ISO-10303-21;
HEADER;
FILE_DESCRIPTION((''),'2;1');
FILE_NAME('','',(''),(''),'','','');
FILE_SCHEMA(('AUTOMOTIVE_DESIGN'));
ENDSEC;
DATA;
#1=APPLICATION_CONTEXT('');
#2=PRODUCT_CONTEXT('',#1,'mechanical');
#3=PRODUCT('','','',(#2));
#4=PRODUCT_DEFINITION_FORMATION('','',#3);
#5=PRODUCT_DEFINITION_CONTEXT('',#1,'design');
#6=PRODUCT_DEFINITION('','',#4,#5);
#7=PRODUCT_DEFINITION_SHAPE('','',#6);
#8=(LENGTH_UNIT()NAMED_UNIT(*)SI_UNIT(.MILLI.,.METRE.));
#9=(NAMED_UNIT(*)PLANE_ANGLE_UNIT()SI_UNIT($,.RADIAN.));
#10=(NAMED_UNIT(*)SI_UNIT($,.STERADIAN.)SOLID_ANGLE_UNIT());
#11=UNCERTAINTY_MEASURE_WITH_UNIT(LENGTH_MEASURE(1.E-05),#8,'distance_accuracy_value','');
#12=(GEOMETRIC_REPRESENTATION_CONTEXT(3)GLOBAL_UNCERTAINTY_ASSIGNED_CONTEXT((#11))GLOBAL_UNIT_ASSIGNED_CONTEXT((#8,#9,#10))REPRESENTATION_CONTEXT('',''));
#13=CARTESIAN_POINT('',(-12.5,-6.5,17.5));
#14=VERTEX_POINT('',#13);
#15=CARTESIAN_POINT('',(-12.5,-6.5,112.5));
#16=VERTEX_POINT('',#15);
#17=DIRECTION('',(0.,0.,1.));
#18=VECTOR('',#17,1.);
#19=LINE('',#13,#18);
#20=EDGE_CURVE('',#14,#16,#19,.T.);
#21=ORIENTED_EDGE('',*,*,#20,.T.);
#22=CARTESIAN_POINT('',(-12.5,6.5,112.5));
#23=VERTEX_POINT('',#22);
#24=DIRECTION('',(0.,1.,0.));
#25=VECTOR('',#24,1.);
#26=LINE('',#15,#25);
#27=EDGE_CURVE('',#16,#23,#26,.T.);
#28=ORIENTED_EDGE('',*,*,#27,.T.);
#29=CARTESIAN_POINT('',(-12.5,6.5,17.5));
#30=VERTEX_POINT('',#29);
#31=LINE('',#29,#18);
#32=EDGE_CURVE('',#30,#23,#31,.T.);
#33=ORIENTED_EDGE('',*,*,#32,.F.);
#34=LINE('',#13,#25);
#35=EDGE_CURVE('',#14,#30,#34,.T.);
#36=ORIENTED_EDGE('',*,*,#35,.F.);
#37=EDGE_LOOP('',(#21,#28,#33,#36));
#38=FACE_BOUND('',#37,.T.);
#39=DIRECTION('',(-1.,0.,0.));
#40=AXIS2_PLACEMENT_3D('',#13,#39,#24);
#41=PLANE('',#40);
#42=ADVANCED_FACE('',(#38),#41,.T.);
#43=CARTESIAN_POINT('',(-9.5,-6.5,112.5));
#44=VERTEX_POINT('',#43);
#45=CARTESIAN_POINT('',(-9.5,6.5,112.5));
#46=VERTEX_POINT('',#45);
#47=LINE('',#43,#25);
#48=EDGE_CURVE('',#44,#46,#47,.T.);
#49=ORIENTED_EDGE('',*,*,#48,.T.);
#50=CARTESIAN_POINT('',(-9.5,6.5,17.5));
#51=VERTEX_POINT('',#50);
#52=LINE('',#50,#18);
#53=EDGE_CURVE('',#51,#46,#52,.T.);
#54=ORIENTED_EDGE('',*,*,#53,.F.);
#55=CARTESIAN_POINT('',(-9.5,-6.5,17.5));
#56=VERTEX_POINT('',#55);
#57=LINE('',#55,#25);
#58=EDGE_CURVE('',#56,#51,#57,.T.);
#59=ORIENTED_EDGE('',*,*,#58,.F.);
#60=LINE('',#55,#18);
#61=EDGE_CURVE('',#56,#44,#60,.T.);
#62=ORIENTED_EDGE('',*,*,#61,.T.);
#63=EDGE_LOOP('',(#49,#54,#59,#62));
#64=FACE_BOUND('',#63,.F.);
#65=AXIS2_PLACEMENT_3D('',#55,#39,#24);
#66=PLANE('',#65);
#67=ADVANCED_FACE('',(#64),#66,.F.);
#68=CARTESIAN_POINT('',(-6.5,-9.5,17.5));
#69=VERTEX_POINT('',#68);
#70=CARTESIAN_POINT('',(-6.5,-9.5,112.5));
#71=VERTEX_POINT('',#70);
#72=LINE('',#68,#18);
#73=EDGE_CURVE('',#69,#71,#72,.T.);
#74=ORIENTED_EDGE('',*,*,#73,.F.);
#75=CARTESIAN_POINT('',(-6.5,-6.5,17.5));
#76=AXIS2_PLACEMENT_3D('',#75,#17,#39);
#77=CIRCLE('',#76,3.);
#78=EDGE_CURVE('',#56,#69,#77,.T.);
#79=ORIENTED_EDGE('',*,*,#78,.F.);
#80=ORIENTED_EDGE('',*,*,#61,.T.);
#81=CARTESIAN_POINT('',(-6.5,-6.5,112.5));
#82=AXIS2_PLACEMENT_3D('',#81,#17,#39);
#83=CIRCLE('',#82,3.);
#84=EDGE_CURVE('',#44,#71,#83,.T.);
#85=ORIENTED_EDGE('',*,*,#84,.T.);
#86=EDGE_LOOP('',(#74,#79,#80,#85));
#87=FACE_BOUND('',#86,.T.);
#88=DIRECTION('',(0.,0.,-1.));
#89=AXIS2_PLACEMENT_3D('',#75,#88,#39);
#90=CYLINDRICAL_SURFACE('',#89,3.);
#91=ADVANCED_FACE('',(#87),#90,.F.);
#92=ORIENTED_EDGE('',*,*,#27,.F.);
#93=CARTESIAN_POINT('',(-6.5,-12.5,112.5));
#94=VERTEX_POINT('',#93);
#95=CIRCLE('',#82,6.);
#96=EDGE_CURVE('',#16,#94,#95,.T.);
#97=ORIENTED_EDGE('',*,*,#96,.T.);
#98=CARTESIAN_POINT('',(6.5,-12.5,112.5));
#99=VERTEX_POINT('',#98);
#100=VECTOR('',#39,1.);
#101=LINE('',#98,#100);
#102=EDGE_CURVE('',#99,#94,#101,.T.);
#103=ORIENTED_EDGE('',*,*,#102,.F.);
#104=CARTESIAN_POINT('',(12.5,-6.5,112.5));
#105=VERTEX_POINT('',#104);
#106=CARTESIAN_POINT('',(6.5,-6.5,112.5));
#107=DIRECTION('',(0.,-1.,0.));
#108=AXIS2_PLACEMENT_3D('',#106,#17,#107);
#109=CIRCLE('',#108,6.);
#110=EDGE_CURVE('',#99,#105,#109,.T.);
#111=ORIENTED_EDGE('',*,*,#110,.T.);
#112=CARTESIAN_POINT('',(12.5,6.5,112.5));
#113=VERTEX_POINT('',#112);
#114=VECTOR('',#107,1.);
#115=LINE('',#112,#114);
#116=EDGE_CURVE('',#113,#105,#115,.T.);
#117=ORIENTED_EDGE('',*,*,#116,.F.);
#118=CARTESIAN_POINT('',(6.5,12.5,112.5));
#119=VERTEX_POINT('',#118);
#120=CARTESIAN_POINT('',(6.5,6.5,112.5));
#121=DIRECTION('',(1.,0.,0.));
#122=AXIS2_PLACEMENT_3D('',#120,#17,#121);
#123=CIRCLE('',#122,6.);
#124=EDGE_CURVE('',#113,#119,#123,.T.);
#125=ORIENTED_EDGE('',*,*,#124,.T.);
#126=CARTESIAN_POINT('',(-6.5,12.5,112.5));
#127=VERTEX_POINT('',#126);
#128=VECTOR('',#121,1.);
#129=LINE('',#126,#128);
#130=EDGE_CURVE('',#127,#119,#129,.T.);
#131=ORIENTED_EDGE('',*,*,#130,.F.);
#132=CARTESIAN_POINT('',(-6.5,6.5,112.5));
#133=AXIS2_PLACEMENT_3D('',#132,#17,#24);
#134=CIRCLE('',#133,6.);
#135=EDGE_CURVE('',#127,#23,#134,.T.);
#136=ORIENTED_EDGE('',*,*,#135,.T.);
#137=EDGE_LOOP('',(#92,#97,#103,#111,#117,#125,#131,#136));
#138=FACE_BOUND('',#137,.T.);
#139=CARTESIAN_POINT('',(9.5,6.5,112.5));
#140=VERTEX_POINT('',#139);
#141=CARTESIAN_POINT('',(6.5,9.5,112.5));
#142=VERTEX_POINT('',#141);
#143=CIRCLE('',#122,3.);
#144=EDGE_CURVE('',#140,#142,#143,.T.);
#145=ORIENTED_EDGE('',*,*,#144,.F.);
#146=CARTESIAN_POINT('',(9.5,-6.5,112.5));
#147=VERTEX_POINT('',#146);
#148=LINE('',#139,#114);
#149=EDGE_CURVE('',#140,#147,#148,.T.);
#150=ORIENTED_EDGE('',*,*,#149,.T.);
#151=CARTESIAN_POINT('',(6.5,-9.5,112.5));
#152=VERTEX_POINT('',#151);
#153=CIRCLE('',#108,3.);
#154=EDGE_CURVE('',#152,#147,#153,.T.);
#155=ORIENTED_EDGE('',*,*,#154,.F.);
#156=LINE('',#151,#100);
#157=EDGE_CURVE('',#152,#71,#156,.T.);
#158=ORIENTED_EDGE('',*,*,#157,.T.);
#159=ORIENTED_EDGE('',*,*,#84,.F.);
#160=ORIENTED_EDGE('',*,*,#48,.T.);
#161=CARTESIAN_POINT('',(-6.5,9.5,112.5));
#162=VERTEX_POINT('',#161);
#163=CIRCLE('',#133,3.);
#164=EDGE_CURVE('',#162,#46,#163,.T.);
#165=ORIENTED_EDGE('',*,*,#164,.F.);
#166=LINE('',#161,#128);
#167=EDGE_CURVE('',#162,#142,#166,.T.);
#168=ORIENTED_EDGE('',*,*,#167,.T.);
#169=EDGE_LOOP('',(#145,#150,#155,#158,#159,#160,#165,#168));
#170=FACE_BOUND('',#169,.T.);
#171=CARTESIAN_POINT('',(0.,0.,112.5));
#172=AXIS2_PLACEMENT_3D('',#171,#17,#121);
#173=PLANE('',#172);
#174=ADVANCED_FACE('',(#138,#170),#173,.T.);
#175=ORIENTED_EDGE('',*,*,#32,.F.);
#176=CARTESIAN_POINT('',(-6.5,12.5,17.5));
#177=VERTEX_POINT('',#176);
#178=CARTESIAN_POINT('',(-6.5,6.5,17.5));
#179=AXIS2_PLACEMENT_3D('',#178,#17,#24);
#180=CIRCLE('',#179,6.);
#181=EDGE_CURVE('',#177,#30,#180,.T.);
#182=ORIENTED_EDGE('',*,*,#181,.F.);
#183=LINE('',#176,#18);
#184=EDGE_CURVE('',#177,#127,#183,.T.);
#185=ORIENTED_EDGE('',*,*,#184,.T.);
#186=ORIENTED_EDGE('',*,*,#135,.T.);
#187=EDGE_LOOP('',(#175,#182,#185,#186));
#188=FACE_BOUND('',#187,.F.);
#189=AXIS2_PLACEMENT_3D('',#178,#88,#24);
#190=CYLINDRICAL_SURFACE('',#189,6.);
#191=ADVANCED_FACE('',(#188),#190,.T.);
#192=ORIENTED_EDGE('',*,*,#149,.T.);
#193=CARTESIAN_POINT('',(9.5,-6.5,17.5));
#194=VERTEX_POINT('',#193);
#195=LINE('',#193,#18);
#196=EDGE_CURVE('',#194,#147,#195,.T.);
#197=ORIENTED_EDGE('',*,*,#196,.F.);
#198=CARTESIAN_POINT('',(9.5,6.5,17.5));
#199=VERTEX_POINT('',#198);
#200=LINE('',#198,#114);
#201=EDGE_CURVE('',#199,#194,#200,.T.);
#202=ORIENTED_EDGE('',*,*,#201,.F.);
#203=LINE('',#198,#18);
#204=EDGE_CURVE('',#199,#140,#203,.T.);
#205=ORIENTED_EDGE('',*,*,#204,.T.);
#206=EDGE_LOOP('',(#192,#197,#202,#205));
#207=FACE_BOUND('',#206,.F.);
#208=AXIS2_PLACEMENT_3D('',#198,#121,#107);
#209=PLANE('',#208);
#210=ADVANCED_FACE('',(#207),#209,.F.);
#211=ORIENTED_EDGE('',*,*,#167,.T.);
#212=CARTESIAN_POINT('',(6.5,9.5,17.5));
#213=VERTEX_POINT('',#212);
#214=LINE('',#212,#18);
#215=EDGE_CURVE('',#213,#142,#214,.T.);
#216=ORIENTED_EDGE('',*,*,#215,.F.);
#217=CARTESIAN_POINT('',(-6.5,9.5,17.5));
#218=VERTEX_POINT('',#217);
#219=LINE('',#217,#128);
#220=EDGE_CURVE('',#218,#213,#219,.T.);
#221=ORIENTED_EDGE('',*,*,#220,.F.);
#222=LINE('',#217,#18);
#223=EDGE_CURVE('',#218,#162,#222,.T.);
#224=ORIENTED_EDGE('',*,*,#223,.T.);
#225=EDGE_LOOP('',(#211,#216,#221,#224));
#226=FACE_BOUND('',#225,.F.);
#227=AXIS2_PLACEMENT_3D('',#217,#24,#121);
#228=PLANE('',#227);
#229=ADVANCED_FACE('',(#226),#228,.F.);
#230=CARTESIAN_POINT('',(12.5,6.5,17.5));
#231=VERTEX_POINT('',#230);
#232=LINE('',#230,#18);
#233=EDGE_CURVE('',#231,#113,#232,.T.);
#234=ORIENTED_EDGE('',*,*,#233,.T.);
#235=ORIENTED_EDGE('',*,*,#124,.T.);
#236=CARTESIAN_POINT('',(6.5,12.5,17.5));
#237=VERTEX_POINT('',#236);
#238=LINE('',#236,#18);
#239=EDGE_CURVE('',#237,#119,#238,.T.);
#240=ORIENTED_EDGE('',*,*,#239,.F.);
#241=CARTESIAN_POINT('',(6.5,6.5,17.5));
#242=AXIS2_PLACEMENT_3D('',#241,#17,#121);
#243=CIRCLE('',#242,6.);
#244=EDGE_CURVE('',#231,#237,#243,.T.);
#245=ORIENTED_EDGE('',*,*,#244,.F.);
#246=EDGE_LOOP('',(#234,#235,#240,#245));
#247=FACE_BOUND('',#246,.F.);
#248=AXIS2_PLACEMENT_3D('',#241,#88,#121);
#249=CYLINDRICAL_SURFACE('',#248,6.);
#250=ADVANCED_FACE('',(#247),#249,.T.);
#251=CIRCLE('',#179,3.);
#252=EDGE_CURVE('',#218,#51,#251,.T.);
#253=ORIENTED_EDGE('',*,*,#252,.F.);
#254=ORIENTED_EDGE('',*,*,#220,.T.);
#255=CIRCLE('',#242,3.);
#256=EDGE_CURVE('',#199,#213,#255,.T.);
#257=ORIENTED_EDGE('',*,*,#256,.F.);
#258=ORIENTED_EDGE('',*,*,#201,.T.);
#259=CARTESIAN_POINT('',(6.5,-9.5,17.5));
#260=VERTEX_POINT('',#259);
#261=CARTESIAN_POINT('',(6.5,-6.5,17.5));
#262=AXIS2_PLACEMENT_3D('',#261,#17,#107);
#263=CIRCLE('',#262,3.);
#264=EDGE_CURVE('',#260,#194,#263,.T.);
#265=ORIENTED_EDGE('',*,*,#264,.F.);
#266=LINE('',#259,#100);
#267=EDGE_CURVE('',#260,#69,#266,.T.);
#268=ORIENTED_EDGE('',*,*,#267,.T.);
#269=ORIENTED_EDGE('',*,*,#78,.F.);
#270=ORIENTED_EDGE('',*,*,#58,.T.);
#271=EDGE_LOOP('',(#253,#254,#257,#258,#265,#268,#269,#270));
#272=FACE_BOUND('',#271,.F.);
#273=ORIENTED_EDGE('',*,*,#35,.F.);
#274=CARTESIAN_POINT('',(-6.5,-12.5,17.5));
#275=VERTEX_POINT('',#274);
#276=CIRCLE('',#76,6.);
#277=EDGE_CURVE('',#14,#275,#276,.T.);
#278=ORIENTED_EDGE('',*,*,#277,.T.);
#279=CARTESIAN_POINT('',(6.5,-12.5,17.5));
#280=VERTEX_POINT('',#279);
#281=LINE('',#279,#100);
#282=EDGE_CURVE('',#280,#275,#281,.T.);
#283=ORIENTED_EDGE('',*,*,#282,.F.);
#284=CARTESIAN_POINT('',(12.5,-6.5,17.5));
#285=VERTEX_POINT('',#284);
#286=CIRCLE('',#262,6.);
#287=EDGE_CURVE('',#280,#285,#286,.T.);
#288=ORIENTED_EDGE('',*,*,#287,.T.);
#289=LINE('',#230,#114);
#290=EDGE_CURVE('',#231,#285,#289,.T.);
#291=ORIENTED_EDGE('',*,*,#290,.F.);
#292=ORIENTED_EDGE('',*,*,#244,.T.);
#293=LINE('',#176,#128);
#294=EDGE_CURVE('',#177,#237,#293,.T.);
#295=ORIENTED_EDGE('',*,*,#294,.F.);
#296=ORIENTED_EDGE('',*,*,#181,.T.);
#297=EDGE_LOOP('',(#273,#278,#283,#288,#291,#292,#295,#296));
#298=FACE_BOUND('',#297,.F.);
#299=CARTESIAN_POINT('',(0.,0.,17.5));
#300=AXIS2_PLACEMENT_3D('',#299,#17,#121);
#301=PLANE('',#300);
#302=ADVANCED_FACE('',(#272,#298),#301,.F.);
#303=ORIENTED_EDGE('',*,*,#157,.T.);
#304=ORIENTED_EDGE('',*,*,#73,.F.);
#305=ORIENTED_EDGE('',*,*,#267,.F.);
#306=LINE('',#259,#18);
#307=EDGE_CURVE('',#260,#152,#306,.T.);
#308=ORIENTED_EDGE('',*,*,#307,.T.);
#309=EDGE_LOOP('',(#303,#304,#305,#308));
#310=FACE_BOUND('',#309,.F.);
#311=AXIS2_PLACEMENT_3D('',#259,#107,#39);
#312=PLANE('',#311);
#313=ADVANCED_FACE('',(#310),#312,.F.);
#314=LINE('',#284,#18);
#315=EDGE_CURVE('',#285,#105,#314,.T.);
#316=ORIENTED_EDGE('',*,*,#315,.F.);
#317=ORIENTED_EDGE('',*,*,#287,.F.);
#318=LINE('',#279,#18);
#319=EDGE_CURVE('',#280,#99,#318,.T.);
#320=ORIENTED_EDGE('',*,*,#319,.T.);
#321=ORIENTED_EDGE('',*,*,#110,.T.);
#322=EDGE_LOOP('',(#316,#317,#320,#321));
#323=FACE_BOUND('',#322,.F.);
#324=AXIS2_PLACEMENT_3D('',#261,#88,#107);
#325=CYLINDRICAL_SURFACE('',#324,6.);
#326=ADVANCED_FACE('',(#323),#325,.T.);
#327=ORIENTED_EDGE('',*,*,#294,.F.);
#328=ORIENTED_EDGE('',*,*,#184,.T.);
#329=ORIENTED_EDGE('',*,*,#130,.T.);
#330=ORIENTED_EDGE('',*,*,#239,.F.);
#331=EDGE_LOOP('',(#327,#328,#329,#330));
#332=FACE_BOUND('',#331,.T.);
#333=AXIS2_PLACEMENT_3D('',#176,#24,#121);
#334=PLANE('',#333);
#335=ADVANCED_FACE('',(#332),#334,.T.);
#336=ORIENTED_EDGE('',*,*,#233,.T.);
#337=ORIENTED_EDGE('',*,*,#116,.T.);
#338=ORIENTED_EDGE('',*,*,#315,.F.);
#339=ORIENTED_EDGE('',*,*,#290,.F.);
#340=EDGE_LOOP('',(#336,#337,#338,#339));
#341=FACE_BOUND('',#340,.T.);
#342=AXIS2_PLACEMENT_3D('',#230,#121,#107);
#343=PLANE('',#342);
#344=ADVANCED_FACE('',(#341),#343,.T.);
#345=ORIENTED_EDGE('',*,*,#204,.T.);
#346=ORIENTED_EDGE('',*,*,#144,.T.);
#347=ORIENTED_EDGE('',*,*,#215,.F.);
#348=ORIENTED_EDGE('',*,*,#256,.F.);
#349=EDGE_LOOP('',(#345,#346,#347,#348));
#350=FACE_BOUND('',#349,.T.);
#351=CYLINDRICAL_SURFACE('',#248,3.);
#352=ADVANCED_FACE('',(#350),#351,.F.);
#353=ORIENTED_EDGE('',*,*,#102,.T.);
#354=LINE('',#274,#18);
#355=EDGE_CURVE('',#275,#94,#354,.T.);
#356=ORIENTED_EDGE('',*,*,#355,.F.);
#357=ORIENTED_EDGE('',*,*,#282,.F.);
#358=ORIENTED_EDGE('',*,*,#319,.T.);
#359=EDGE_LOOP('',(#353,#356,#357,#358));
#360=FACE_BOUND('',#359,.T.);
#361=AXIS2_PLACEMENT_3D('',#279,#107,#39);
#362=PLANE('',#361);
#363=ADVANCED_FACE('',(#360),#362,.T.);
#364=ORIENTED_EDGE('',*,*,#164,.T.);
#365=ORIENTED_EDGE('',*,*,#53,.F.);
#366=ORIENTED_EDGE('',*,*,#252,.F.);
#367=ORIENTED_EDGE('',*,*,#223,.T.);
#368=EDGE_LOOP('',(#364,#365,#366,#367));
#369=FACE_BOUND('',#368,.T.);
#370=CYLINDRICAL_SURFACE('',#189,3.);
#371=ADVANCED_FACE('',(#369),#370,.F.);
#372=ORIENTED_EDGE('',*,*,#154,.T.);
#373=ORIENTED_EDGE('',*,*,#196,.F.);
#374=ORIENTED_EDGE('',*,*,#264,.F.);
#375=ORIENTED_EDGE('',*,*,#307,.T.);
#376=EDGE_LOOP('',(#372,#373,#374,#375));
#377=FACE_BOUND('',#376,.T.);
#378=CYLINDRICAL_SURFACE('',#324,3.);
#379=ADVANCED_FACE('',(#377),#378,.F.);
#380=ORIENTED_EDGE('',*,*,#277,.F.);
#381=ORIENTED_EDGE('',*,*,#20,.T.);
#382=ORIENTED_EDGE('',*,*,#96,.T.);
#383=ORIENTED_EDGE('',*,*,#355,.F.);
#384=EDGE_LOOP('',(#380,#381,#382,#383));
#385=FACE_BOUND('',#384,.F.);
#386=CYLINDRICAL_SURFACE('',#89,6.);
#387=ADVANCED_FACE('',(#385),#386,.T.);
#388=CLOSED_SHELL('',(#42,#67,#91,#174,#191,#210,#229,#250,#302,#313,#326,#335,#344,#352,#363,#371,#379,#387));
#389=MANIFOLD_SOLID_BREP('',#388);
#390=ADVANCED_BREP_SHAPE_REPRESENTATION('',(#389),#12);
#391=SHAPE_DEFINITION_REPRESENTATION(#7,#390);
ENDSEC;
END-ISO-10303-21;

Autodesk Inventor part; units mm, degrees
ref_plane "Start plane" through (0, 0, 17.5) normal (0, 0, 1) x (1, 0, 0)
ref_plane "End plane" through (0, 0, 112.5) normal (0, 0, 1) x (1, 0, 0)
sketch "Sketch" plane through (0, 0, 0) normal (0, 0, 1) x (1, 0, 0)
  line L0 (-12.5, -6.5) -> (-12.5, 6.5)
  line L1 (-6.5, 12.5) -> (6.5, 12.5)
  line L2 (12.5, 6.5) -> (12.5, -6.5)
  line L3 (6.5, -12.5) -> (-6.5, -12.5)
  arc A0 (-12.5, -6.5) -> (-6.5, -12.5) centre (-6.5, -6.5) ccw
  arc A1 (-6.5, 12.5) -> (-12.5, 6.5) centre (-6.5, 6.5) ccw
  arc A2 (12.5, 6.5) -> (6.5, 12.5) centre (6.5, 6.5) ccw
  arc A3 (6.5, -12.5) -> (12.5, -6.5) centre (6.5, -6.5) ccw
  arc A4 (-6.5, 9.5) -> (-9.5, 6.5) centre (-6.5, 6.5) ccw
  line L4 (-6.5, 9.5) -> (6.5, 9.5)
  arc A5 (9.5, 6.5) -> (6.5, 9.5) centre (6.5, 6.5) ccw
  line L5 (9.5, 6.5) -> (9.5, -6.5)
  arc A6 (6.5, -9.5) -> (9.5, -6.5) centre (6.5, -6.5) ccw
  line L6 (6.5, -9.5) -> (-6.5, -9.5)
  arc A7 (-9.5, -6.5) -> (-6.5, -9.5) centre (-6.5, -6.5) ccw
  line L7 (-9.5, -6.5) -> (-9.5, 6.5)
  line L8 (0, 19.2397) -> (0, -19.2397) construction
  line L9 (-19.2397, 0) -> (19.2397, 0) construction
  dimension "d7" = 6
  dimension "d10" = 25
  dimension "d11" = 25
  dimension "d12" = 3
  dimension "d15" = 12.5
  dimension "d16" = 12.5
extrude "Body" add sketch "Sketch" along normal up to surface (95 mm away) from surface at 17.5
sketch "Sketch3" plane through (0, 0, 0) normal (0, 0, 1) x (1, 0, 0)
  line L0 (0, 0) -> (10, 0)
ref_plane "Work Plane3" through (0, 0, 0) normal (0, -1, 0) x (1, 0, 0)
sketch "Sketch4" plane through (0, 0, 0) normal (0, -1, 0) x (1, 0, 0)
  line L0 (-2, 17.5) -> (12, 17.5)
  line L1 (-2, 112.5) -> (12, 112.5)
  dimension "d18" = 95
ref_plane "Work Plane4" through (-17.5, 0, 17.5) normal (0, 0, -1) x (-1, 0, 0)
split "Split1" plane through (-17.5, 0, 17.5) removes the side toward (0, 0, -1)
ref_plane "Work Plane5" through (0, 0, 112.5) normal (0, 0, 1) x (1, 0, 0)
split "Split2" plane through (0, 0, 112.5) removes the side toward (0, 0, 1)
equation "\"d7\" = G_IR"
equation "\"d10\" = G_H"
equation "\"d11\" = G_W"
equation "\"d12\" = G_T"
equation "\"d15\" = 0.5 * d10"
equation "\"d16\" = 0.5 * d11"
equation "\"d3\" = G_L"
equation "\"G_W\" = 25"
equation "\"G_H\" = 25"
equation "\"G_T\" = 3"
equation "\"G_IR\" = 6"
equation "\"G_L\" = d18"
equation "\"G_OFFSET_START\" = -17.5"
equation "\"G_OFFSET_END\" = -12.5"
equation "\"d13\" = -G_OFFSET_START"
equation "\"d14\" = G_OFFSET_END + B_L"
equation "\"B_L\" = 125"
properties part number "AS 1163 - C350L0 25x25x3.0 SHS - 95" material "Steel, Mild"
